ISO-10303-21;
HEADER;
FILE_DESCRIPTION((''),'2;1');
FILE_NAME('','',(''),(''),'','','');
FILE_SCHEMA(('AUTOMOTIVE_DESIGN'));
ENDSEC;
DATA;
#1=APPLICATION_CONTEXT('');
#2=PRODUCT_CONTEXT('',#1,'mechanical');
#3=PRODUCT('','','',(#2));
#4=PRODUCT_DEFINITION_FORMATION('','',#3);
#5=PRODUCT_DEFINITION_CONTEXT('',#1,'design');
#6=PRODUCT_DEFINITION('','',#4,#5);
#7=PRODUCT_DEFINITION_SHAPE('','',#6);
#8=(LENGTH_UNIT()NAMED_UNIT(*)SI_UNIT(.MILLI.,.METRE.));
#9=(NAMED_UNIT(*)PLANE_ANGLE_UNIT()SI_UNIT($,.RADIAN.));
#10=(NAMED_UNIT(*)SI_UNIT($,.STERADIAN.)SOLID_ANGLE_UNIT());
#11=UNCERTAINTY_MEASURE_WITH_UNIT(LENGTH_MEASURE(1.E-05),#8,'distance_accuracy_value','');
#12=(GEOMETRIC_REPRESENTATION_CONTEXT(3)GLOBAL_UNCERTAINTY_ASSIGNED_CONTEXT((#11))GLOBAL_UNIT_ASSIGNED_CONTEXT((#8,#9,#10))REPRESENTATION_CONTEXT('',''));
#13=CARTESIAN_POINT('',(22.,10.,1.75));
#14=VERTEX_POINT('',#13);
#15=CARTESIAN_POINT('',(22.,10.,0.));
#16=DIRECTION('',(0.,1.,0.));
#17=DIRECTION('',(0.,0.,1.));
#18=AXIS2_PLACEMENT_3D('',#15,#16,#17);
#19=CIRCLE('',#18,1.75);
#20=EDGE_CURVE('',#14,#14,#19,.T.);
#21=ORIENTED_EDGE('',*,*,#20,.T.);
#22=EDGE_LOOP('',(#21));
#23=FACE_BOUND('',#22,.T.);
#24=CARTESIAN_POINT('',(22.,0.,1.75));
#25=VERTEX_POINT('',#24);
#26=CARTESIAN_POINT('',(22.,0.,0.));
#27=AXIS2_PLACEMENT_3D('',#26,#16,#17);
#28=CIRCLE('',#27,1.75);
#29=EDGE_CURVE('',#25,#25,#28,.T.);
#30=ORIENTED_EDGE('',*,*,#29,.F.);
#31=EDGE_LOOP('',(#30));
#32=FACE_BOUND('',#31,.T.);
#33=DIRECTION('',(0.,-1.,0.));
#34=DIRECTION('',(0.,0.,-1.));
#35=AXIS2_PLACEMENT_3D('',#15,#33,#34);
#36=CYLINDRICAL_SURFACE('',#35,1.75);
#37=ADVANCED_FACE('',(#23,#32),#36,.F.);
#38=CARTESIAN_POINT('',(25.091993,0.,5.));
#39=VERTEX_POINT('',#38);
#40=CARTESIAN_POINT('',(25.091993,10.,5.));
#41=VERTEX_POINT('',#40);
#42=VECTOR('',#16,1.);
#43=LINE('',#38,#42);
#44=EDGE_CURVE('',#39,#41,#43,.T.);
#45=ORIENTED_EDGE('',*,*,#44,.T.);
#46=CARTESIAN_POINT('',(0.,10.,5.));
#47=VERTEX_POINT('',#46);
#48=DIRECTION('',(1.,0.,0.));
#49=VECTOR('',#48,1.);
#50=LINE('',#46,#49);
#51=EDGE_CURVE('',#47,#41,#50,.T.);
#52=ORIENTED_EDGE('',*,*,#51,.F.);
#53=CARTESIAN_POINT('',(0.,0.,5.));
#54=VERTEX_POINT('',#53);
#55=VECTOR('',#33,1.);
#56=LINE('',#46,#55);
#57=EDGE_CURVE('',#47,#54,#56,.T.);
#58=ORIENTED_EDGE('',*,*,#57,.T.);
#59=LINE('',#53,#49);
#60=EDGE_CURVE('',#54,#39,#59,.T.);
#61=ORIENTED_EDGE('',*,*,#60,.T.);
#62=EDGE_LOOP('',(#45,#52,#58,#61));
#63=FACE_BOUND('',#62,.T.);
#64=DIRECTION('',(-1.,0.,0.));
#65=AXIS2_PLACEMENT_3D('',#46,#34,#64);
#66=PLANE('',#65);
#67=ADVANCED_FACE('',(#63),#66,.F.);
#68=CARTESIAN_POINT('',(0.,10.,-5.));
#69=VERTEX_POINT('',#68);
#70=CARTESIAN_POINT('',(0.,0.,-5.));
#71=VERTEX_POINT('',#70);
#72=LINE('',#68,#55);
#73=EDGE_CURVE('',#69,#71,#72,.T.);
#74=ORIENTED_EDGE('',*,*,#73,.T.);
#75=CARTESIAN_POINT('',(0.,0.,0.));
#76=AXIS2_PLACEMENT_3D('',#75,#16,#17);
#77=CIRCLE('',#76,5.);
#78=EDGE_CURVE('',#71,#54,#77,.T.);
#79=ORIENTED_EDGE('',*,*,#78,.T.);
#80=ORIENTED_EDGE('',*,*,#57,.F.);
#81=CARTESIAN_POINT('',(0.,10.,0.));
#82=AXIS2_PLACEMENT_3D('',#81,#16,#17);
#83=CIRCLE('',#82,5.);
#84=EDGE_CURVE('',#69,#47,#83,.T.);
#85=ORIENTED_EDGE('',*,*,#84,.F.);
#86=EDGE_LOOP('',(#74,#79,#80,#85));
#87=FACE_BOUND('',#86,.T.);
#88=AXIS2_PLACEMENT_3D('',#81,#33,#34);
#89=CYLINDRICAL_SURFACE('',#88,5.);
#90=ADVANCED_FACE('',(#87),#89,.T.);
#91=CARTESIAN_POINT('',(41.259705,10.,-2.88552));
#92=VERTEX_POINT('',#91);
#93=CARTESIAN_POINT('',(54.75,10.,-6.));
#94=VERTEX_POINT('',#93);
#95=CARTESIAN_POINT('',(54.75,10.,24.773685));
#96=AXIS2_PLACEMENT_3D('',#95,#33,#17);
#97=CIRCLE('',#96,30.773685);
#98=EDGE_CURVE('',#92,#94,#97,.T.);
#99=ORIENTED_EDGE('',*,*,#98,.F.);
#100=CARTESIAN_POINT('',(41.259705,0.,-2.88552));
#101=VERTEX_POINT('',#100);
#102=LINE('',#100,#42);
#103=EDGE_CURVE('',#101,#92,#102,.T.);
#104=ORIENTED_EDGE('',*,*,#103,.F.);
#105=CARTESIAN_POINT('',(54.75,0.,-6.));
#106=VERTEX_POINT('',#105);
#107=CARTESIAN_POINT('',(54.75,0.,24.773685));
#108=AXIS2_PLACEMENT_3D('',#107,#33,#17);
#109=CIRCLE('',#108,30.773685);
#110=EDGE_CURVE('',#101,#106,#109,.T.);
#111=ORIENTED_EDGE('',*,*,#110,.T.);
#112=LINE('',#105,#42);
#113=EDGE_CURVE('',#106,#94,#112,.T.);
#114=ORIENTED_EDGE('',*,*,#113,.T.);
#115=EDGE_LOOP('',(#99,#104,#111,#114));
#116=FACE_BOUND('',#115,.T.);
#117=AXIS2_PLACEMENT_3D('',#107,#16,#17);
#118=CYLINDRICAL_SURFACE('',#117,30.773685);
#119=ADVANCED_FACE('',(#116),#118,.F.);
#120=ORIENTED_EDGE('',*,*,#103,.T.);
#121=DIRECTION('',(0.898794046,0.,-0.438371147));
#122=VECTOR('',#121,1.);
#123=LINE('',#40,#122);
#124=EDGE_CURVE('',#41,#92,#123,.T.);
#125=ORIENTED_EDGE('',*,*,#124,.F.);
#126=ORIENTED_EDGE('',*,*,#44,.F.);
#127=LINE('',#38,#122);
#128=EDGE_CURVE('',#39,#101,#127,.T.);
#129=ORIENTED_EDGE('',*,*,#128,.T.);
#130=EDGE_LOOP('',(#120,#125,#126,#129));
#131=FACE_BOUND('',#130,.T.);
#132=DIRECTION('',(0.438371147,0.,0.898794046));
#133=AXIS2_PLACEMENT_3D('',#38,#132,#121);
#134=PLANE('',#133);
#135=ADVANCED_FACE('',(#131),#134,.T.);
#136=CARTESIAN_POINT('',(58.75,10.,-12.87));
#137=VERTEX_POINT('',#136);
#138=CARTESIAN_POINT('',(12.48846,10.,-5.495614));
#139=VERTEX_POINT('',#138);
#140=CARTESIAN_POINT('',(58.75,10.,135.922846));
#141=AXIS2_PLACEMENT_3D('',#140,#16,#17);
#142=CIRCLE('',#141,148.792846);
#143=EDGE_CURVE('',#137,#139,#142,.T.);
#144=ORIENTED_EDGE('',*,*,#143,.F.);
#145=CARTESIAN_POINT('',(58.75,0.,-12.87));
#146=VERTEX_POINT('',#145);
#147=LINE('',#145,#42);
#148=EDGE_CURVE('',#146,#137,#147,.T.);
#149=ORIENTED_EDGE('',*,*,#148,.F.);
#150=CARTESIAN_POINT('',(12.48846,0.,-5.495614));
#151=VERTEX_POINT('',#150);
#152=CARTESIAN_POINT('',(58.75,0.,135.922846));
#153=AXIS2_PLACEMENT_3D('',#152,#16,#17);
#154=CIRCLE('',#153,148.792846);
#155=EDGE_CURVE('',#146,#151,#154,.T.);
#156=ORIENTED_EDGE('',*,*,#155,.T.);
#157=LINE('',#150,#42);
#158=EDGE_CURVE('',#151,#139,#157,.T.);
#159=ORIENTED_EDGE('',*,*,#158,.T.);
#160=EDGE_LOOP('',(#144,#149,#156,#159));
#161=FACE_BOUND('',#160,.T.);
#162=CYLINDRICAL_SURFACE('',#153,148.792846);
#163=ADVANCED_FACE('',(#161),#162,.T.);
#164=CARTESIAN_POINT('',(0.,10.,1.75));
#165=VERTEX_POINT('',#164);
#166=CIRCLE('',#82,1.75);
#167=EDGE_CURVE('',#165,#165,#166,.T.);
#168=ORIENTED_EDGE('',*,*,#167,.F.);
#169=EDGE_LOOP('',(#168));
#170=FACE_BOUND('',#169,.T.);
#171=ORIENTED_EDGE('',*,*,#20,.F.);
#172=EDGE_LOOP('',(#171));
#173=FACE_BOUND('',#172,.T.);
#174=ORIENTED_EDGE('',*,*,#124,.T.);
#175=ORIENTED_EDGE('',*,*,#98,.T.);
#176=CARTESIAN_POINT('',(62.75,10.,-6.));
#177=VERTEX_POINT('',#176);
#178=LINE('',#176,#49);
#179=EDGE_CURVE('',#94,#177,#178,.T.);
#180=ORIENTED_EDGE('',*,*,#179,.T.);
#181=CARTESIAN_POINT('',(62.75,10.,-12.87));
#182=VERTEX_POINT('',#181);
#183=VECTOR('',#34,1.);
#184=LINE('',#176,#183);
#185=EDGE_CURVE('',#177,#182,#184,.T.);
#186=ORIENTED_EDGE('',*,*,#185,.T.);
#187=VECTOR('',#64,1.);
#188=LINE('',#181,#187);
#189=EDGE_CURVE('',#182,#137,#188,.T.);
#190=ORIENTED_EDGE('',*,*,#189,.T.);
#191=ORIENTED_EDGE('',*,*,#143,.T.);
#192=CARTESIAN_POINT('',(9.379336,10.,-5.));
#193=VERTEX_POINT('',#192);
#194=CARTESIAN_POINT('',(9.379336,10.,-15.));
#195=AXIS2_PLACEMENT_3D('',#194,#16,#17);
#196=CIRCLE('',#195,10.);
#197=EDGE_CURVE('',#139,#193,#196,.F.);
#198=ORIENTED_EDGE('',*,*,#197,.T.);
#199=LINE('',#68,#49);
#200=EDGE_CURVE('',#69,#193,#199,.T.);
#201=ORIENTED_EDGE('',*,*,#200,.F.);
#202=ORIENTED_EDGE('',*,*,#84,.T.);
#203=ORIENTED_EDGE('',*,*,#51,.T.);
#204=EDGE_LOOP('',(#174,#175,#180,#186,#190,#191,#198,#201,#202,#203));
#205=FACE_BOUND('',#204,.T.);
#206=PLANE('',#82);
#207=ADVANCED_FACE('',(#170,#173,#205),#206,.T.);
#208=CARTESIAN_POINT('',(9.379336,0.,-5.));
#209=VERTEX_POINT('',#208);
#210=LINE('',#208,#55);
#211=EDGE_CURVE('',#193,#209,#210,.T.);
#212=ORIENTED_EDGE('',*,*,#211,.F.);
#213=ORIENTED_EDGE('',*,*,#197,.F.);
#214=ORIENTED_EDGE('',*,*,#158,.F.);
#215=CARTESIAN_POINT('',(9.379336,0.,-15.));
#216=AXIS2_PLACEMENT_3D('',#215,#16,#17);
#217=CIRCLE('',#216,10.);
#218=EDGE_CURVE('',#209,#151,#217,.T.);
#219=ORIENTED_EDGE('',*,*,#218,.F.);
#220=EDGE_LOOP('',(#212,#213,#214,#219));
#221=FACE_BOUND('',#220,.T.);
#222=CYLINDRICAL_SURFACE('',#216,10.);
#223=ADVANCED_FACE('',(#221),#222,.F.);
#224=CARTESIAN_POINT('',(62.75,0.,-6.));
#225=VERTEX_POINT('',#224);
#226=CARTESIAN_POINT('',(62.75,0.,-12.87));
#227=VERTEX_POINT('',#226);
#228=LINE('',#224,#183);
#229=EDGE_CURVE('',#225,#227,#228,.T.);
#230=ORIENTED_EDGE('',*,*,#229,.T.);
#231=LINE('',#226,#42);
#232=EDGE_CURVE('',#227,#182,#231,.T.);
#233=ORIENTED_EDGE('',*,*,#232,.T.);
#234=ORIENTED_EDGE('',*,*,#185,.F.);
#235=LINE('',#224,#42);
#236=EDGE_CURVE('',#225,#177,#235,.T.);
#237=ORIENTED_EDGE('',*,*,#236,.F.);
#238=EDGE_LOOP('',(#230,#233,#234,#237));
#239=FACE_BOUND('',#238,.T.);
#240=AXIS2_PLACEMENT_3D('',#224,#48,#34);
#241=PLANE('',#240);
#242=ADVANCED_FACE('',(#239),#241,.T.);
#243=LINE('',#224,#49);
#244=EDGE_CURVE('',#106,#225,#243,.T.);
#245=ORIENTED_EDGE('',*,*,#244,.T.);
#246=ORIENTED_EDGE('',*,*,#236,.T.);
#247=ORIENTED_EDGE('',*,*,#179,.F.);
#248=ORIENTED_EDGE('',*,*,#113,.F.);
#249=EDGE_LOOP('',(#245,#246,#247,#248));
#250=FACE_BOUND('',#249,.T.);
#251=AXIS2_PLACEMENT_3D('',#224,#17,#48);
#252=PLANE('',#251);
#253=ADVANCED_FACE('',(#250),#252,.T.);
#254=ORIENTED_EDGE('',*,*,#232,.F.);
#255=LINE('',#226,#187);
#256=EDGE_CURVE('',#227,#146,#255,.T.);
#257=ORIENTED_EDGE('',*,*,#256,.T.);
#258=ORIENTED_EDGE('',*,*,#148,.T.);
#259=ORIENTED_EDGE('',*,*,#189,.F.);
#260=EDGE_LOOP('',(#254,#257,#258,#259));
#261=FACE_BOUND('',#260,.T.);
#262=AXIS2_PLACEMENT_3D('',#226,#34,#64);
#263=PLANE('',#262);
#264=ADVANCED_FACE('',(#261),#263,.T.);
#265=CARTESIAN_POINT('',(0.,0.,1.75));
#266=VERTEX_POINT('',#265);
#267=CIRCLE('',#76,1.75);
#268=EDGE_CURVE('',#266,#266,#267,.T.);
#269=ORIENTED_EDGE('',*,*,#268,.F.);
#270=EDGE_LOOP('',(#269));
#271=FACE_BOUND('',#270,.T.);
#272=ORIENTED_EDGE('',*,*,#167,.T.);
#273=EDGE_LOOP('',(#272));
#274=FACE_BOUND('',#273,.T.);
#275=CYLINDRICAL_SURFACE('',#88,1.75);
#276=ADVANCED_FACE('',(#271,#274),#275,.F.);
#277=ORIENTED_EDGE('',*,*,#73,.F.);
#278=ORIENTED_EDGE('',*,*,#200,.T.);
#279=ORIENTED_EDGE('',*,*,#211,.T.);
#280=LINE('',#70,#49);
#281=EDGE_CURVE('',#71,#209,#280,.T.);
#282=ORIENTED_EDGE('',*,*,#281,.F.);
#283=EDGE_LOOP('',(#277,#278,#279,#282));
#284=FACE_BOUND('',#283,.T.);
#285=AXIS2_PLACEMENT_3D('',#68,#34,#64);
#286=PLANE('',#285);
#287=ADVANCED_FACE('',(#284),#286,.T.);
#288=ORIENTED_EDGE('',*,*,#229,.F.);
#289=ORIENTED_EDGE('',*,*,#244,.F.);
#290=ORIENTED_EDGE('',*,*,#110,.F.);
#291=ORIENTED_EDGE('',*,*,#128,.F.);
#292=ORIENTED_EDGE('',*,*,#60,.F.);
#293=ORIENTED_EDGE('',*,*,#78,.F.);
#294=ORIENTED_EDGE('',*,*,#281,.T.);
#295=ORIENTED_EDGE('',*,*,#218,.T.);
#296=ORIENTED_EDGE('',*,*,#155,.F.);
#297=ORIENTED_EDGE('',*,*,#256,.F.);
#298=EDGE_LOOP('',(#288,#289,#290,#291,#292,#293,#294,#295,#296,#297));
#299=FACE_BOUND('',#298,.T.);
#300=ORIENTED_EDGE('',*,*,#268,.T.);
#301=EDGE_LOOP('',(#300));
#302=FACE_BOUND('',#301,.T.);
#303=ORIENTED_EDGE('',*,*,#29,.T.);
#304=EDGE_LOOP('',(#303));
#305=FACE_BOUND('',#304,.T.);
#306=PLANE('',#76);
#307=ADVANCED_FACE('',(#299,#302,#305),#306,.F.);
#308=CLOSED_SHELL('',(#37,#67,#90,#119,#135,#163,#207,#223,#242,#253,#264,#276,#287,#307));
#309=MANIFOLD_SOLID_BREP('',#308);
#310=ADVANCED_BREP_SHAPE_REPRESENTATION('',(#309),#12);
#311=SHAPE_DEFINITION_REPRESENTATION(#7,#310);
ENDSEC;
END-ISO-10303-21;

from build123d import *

# Parameters (mm, degrees)
SKETCH_1_R      = 5
SKETCH_1_R_2    = 1.75
EXTRUDE_1_DEPTH = 10
EXTRUDE_START   = -10
EXTRUDE_2_DEPTH = 10
FILLET_1_R      = 10


with BuildPart() as part:
    # 草图1 → 凸台-拉伸1 (new body)
    # profile 1 of 3: a face of its own
    with BuildSketch(Plane(origin=(0, 0, 0), x_dir=(1, 0, 0), z_dir=(0, 1, 0))):
        Circle(SKETCH_1_R)
        with Locations(Location((0, 0, 0), (0, 0, 270))):
            Circle(SKETCH_1_R_2, mode=Mode.SUBTRACT)
    # profile 2 of 3: a face of its own
    with BuildSketch(Plane(origin=(0, 0, 0), x_dir=(1, 0, 0), z_dir=(0, 1, 0))):
        with BuildLine():
            Line((22, 5), (0, 5))
            ThreePointArc((0, 5), (3.535533906, 3.535533906), (5, 0))
            ThreePointArc((5, 0), (3.535533906, -3.535533906), (0, -5))
            Line((0, -5), (22, -5))
            ThreePointArc((22, -5), (17, 0), (22, 5))
        make_face()
    # profile 3 of 3: a face of its own
    with BuildSketch(Plane(origin=(0, 0, 0), x_dir=(1, 0, 0), z_dir=(0, 1, 0))):
        with Locations((22, 0)):
            Circle(SKETCH_1_R)
        with Locations(Location((22, 0, 0), (0, 0, 270))):
            Circle(SKETCH_1_R_2, mode=Mode.SUBTRACT)
    extrude(amount=EXTRUDE_1_DEPTH)

    # 草图2 → 凸台-拉伸2 (add)
    with BuildSketch(Plane(origin=(0, 10, 0), x_dir=(1, 0, 0), z_dir=(0, 1, 0)).offset(EXTRUDE_START)):
        with BuildLine():
            Line((22, -5), (25.0919928, -5))
            Line((25.0919928, -5), (41.259704507, 2.885519882))
            ThreePointArc((41.259704507, 2.885519882), (47.82742716, 5.211272452), (54.75, 6))
            Line((54.75, 6), (62.75, 6))
            Line((62.75, 6), (62.75, 12.87))
            Line((62.75, 12.87), (58.75, 12.87))
            ThreePointArc((58.75, 12.87), (34.552895834, 10.889316888), (11, 5))
            Line((11, 5), (22, 5))
            ThreePointArc((22, 5), (27, 0), (22, -5))
        make_face()
    extrude(amount=EXTRUDE_2_DEPTH)

    # 圆角1
    fillet_1_edges = [part.edges().sort_by_distance(p)[0] for p in [
        (11, 5, -5),
    ]]
    fillet(fillet_1_edges, radius=FILLET_1_R)


solid = part.part
